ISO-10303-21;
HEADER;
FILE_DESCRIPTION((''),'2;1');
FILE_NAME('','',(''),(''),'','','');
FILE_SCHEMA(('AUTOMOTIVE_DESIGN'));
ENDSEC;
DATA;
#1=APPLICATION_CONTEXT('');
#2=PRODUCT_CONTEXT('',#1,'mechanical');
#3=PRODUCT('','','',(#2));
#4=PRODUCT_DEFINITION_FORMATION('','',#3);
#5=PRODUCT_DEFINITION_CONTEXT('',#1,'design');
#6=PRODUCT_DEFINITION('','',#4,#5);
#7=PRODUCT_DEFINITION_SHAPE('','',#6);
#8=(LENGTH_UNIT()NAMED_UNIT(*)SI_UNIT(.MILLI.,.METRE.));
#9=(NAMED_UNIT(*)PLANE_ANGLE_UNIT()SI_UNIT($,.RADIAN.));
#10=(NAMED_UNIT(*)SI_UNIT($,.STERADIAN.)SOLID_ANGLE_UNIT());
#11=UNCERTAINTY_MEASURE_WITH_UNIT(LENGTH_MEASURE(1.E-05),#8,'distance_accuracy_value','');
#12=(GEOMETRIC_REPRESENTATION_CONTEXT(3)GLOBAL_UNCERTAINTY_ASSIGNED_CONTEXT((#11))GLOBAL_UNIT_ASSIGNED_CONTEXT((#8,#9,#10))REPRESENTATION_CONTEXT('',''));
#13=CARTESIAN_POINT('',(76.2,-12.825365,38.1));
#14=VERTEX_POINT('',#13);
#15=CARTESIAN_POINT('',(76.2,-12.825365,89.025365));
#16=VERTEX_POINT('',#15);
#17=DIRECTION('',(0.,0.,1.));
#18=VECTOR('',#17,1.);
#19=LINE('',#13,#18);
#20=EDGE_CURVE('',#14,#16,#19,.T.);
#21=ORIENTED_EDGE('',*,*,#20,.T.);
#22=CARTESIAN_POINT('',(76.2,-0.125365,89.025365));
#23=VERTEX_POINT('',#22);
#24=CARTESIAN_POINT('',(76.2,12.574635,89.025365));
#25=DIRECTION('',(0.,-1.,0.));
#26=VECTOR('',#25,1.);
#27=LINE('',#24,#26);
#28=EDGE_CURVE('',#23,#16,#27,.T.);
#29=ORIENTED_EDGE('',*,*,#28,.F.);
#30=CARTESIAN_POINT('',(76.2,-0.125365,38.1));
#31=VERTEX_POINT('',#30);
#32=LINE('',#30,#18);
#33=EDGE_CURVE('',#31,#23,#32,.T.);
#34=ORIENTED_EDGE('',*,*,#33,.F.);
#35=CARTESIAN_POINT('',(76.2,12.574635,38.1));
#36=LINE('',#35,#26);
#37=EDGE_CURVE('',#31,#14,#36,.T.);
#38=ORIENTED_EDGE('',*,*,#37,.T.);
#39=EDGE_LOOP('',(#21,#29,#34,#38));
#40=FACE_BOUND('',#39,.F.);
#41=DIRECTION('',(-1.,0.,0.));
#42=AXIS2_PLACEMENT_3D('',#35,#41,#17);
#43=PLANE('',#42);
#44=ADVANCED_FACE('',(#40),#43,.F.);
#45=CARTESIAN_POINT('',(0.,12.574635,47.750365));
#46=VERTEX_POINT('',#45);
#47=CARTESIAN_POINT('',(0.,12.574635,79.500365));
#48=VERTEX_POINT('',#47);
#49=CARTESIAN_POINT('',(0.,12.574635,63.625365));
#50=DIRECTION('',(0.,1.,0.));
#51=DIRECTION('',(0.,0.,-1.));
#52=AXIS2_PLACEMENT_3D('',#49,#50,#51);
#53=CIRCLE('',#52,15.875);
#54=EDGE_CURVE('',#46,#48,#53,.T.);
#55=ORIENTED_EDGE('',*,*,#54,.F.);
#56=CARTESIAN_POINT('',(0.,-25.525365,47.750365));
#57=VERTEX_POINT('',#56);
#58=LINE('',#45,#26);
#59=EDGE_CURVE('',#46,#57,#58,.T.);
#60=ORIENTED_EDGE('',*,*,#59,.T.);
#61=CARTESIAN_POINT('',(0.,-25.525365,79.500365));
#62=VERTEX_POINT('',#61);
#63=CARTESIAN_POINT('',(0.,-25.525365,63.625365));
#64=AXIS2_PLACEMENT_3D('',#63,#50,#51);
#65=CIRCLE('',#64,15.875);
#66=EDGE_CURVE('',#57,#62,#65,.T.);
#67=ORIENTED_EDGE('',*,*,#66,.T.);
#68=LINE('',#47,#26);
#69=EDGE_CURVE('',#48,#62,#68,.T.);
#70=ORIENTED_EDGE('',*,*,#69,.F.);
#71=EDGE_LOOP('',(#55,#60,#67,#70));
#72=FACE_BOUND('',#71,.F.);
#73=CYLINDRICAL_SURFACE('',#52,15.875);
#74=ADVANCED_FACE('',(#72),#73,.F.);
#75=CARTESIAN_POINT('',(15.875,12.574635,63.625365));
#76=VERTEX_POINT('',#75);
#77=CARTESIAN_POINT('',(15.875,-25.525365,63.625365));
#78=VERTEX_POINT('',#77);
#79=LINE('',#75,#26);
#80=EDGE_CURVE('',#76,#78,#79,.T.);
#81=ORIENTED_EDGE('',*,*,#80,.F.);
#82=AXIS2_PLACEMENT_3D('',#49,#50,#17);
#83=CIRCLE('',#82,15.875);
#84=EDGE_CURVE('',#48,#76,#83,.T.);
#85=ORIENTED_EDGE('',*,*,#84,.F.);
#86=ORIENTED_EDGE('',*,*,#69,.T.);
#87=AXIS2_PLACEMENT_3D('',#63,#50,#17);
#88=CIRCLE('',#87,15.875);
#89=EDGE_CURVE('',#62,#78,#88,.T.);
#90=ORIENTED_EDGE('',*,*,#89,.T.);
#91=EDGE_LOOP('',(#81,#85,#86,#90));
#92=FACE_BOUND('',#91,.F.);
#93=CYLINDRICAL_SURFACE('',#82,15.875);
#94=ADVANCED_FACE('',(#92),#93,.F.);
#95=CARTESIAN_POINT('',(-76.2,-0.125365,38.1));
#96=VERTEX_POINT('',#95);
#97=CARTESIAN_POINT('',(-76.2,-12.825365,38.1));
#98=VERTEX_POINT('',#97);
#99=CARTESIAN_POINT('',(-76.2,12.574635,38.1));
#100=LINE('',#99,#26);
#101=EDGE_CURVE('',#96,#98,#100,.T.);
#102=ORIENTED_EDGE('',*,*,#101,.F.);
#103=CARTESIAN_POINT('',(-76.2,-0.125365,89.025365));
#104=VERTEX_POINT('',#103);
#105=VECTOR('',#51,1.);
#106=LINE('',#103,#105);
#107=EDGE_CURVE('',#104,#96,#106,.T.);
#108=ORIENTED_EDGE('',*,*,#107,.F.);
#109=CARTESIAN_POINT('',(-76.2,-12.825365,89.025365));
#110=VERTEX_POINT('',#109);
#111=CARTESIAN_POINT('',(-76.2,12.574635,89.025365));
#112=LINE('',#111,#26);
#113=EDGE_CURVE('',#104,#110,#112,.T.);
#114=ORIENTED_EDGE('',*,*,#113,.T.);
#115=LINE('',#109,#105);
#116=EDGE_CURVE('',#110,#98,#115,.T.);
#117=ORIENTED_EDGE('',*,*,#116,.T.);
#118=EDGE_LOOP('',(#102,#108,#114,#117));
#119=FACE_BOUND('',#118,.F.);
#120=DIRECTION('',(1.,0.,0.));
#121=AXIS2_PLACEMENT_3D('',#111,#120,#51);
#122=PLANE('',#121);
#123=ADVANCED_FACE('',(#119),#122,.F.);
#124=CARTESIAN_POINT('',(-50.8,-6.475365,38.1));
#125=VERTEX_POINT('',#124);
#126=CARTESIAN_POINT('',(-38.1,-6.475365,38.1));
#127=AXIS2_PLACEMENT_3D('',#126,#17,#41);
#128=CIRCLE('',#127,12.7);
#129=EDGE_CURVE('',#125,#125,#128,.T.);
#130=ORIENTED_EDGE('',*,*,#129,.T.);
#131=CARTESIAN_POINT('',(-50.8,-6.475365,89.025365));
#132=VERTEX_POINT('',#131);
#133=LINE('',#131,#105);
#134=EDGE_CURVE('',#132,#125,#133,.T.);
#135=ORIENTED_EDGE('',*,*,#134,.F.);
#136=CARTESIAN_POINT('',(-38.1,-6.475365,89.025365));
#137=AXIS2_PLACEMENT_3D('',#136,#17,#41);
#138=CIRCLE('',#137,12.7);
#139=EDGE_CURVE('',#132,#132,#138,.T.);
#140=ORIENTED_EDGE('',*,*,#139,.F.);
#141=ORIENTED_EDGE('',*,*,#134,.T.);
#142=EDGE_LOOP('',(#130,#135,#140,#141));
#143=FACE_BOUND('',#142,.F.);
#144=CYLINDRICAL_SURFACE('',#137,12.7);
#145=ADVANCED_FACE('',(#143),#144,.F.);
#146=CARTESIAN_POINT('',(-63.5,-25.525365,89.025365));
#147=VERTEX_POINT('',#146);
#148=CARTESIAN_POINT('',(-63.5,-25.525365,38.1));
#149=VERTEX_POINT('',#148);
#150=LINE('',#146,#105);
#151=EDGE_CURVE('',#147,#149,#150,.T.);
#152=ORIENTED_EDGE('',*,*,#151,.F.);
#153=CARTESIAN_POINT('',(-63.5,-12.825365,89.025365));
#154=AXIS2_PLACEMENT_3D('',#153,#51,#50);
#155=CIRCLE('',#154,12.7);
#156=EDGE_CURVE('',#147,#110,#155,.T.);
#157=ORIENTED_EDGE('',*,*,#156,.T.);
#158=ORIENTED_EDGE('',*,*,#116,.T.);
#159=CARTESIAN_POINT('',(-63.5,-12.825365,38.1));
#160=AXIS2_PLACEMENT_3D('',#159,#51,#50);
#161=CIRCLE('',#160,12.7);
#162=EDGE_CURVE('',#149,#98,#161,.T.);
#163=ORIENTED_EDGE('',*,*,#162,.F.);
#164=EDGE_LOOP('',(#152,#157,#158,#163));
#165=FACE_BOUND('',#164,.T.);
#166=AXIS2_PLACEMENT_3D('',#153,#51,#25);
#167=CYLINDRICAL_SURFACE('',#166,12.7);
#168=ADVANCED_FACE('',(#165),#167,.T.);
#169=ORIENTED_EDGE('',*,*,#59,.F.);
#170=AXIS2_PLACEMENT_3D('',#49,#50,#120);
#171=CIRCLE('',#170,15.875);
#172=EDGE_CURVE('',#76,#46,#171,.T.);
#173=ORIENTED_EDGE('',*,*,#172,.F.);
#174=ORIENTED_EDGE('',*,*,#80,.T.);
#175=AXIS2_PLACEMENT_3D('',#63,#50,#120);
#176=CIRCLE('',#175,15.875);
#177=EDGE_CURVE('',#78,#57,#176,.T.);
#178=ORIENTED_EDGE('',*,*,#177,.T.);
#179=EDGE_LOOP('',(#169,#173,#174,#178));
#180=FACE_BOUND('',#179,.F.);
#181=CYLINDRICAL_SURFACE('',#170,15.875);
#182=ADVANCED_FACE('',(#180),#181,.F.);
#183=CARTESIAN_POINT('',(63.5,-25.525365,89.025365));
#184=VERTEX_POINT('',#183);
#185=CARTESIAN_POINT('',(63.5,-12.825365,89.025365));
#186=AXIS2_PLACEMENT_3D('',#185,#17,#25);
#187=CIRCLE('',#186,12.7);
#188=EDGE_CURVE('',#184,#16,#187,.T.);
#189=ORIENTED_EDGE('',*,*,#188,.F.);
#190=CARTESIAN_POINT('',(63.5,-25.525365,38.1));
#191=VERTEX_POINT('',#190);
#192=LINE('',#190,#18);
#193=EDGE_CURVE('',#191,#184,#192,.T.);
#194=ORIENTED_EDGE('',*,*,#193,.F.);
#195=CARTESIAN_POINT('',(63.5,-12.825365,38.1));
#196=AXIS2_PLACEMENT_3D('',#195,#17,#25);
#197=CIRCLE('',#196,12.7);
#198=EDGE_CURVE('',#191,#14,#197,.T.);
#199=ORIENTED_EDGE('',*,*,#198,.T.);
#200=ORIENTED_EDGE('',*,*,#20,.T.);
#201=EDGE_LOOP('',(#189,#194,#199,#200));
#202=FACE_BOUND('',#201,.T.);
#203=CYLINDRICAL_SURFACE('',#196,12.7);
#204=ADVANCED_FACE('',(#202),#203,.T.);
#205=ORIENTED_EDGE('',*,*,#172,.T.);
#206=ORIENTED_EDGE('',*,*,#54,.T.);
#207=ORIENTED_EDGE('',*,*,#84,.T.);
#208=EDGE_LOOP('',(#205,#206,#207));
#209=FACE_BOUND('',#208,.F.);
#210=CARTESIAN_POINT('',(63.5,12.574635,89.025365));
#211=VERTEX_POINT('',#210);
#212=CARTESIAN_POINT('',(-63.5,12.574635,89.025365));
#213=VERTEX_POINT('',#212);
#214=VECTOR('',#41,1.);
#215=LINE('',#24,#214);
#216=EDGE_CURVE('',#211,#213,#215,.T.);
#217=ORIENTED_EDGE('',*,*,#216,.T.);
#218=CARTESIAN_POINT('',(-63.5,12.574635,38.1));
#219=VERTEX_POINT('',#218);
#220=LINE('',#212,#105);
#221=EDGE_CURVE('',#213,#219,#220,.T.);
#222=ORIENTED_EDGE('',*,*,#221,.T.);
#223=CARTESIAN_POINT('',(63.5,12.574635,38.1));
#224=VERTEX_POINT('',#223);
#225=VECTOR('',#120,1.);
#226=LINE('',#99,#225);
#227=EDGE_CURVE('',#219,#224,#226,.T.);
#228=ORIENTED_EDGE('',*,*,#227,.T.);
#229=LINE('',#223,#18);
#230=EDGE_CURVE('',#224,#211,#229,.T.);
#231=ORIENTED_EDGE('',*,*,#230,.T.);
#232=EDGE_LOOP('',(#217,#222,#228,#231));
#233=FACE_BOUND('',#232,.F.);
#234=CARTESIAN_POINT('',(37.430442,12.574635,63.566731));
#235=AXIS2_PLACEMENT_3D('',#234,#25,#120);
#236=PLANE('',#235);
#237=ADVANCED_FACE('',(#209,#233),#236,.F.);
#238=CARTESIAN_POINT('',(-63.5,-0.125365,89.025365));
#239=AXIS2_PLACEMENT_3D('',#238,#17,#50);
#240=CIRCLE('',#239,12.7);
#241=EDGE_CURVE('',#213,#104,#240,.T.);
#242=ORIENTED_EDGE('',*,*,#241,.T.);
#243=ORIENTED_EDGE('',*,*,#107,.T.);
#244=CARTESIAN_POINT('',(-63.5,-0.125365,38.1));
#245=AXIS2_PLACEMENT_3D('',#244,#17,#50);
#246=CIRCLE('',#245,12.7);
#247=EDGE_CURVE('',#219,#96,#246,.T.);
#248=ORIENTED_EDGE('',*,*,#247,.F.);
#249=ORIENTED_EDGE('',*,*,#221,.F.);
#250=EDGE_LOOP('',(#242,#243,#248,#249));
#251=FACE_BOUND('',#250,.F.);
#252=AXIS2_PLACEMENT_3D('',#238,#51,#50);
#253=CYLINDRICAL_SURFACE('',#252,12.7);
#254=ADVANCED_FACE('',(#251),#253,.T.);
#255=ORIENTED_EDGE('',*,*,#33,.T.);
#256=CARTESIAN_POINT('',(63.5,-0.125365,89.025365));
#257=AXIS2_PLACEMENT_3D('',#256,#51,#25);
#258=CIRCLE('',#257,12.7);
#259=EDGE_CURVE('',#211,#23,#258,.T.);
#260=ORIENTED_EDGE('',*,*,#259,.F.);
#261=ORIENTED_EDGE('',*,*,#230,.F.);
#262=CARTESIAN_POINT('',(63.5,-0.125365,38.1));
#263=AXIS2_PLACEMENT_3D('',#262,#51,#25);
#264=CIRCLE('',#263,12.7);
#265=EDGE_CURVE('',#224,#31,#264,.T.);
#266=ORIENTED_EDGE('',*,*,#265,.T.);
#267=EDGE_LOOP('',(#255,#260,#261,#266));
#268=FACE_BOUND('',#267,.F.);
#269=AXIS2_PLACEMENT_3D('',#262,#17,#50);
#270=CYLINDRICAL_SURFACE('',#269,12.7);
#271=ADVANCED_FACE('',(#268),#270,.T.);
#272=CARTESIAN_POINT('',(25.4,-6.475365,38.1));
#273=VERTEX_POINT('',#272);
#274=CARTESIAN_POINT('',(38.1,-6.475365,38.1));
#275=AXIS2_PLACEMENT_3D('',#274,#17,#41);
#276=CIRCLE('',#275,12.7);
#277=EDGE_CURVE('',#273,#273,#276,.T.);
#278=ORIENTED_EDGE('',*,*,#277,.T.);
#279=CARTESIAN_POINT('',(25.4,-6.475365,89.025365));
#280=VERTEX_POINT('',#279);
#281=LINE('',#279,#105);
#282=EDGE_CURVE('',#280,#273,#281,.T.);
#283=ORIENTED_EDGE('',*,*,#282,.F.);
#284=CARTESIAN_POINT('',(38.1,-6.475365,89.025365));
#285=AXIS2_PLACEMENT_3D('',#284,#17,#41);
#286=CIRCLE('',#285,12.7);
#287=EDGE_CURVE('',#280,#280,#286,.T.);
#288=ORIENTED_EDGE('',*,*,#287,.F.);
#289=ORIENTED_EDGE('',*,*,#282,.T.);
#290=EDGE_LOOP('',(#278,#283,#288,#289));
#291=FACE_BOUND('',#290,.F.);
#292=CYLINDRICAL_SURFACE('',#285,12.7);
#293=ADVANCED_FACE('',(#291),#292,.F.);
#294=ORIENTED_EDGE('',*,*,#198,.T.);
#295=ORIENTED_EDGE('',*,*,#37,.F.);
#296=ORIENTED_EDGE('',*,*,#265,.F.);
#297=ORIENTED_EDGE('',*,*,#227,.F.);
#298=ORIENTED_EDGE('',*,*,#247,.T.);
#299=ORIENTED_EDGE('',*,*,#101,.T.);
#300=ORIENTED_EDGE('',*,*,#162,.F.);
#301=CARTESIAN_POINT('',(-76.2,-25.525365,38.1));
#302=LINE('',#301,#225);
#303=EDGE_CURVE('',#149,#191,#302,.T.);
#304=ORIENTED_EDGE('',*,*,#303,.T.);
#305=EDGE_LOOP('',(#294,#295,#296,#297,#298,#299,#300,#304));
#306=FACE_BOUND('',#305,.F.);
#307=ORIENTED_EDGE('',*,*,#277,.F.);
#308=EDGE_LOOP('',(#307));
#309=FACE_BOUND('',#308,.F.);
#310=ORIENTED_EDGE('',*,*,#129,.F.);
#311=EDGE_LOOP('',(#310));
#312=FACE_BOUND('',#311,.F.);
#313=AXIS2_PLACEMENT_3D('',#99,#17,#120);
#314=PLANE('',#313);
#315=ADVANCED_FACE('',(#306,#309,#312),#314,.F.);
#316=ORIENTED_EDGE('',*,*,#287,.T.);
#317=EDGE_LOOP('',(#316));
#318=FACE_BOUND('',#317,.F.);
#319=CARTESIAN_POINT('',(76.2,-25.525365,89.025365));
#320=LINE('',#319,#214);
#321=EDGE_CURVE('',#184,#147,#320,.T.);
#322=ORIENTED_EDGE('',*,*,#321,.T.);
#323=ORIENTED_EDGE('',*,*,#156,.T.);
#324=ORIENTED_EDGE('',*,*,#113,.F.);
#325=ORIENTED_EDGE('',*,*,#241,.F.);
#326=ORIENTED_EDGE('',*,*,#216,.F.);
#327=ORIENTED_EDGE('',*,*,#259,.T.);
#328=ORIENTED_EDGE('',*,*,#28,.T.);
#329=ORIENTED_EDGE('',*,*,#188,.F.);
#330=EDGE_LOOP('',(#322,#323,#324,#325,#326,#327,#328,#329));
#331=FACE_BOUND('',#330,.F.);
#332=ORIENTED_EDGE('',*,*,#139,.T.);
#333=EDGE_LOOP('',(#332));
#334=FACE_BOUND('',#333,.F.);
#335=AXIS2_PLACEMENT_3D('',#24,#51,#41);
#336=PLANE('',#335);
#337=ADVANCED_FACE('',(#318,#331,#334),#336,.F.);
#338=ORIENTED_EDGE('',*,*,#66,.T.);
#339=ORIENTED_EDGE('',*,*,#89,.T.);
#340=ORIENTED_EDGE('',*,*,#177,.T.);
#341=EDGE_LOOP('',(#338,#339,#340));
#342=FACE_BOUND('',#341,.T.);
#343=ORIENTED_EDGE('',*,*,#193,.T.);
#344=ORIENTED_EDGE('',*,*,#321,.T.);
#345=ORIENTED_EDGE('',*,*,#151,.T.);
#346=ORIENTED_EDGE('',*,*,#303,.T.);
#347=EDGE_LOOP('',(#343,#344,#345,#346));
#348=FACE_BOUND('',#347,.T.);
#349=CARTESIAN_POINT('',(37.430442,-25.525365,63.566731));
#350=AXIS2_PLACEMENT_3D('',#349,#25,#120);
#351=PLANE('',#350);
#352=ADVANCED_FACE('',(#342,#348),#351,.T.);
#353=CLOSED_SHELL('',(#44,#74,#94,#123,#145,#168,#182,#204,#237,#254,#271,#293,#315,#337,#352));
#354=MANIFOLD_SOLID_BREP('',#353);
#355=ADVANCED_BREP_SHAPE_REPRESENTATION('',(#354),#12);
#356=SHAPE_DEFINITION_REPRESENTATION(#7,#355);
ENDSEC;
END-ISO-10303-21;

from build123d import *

# Parameters (mm, degrees)
F1_DEPTH = 38.1
F2_R     = 12.7
F3_DEPTH = 50.9263650248
F4_ANGLE = 90
F5_R     = 12.7


with BuildPart() as f1:
    # F0 (on Top) → F1 (new body)
    with BuildSketch(Plane.XY):
        with BuildLine():
            ThreePointArc((0, 15.875), (11.2253201513, 11.2253201513), (15.875, 0))
            ThreePointArc((15.875, 0), (11.2253201513, -11.2253201513), (0, -15.875))
            Line((0, -15.875), (0, -25.5253650248))
            Line((0, -25.5253650248), (76.2, -25.5253650248))
            Line((76.2, -25.5253650248), (76.2, 25.4))
            Line((76.2, 25.4), (0, 25.4))
            Line((0, 25.4), (0, 15.875))
        make_face()
        with BuildLine():
            ThreePointArc((0, -15.875), (-15.875, 0), (0, 15.875))
            Line((0, 15.875), (0, 25.4))
            Line((0, 25.4), (-76.2, 25.4))
            Line((-76.2, 25.4), (-76.2, -25.5253650248))
            Line((-76.2, -25.5253650248), (0, -25.5253650248))
            Line((0, -25.5253650248), (0, -15.875))
        make_face()
    extrude(amount=F1_DEPTH)

    # F2 (on face) → F3 (cut, through all)
    with BuildSketch(Plane(origin=(0, 25.4, 0), x_dir=(-1, 0, 0), z_dir=(0, 1, 0))):
        with Locations((-38.1, 19.05)):
            Circle(F2_R)
        with Locations((38.1, 19.05)):
            Circle(F2_R)
    extrude(amount=-F3_DEPTH, mode=Mode.SUBTRACT)


with BuildPart() as f1_1:
    # F4: moved
    add(f1.part.rotate(Axis((0, -25.5253650248, 38.1), (1, 0, 0)), F4_ANGLE))

    # F5
    f5_edges = [f1_1.edges().sort_by_distance(p)[0] for p in [
        (76.2, -25.525365, 63.562683),
        (76.2, 12.574635, 63.562683),
        (-76.2, -25.525365, 63.562683),
        (-76.2, 12.574635, 63.562683),
    ]]
    fillet(f5_edges, radius=F5_R)


with BuildPart() as f6_1:
    # F6: copy of F1
    add(f1_1.part.moved(Location((0, 0, 70.31364))))


solid = f1_1.part
